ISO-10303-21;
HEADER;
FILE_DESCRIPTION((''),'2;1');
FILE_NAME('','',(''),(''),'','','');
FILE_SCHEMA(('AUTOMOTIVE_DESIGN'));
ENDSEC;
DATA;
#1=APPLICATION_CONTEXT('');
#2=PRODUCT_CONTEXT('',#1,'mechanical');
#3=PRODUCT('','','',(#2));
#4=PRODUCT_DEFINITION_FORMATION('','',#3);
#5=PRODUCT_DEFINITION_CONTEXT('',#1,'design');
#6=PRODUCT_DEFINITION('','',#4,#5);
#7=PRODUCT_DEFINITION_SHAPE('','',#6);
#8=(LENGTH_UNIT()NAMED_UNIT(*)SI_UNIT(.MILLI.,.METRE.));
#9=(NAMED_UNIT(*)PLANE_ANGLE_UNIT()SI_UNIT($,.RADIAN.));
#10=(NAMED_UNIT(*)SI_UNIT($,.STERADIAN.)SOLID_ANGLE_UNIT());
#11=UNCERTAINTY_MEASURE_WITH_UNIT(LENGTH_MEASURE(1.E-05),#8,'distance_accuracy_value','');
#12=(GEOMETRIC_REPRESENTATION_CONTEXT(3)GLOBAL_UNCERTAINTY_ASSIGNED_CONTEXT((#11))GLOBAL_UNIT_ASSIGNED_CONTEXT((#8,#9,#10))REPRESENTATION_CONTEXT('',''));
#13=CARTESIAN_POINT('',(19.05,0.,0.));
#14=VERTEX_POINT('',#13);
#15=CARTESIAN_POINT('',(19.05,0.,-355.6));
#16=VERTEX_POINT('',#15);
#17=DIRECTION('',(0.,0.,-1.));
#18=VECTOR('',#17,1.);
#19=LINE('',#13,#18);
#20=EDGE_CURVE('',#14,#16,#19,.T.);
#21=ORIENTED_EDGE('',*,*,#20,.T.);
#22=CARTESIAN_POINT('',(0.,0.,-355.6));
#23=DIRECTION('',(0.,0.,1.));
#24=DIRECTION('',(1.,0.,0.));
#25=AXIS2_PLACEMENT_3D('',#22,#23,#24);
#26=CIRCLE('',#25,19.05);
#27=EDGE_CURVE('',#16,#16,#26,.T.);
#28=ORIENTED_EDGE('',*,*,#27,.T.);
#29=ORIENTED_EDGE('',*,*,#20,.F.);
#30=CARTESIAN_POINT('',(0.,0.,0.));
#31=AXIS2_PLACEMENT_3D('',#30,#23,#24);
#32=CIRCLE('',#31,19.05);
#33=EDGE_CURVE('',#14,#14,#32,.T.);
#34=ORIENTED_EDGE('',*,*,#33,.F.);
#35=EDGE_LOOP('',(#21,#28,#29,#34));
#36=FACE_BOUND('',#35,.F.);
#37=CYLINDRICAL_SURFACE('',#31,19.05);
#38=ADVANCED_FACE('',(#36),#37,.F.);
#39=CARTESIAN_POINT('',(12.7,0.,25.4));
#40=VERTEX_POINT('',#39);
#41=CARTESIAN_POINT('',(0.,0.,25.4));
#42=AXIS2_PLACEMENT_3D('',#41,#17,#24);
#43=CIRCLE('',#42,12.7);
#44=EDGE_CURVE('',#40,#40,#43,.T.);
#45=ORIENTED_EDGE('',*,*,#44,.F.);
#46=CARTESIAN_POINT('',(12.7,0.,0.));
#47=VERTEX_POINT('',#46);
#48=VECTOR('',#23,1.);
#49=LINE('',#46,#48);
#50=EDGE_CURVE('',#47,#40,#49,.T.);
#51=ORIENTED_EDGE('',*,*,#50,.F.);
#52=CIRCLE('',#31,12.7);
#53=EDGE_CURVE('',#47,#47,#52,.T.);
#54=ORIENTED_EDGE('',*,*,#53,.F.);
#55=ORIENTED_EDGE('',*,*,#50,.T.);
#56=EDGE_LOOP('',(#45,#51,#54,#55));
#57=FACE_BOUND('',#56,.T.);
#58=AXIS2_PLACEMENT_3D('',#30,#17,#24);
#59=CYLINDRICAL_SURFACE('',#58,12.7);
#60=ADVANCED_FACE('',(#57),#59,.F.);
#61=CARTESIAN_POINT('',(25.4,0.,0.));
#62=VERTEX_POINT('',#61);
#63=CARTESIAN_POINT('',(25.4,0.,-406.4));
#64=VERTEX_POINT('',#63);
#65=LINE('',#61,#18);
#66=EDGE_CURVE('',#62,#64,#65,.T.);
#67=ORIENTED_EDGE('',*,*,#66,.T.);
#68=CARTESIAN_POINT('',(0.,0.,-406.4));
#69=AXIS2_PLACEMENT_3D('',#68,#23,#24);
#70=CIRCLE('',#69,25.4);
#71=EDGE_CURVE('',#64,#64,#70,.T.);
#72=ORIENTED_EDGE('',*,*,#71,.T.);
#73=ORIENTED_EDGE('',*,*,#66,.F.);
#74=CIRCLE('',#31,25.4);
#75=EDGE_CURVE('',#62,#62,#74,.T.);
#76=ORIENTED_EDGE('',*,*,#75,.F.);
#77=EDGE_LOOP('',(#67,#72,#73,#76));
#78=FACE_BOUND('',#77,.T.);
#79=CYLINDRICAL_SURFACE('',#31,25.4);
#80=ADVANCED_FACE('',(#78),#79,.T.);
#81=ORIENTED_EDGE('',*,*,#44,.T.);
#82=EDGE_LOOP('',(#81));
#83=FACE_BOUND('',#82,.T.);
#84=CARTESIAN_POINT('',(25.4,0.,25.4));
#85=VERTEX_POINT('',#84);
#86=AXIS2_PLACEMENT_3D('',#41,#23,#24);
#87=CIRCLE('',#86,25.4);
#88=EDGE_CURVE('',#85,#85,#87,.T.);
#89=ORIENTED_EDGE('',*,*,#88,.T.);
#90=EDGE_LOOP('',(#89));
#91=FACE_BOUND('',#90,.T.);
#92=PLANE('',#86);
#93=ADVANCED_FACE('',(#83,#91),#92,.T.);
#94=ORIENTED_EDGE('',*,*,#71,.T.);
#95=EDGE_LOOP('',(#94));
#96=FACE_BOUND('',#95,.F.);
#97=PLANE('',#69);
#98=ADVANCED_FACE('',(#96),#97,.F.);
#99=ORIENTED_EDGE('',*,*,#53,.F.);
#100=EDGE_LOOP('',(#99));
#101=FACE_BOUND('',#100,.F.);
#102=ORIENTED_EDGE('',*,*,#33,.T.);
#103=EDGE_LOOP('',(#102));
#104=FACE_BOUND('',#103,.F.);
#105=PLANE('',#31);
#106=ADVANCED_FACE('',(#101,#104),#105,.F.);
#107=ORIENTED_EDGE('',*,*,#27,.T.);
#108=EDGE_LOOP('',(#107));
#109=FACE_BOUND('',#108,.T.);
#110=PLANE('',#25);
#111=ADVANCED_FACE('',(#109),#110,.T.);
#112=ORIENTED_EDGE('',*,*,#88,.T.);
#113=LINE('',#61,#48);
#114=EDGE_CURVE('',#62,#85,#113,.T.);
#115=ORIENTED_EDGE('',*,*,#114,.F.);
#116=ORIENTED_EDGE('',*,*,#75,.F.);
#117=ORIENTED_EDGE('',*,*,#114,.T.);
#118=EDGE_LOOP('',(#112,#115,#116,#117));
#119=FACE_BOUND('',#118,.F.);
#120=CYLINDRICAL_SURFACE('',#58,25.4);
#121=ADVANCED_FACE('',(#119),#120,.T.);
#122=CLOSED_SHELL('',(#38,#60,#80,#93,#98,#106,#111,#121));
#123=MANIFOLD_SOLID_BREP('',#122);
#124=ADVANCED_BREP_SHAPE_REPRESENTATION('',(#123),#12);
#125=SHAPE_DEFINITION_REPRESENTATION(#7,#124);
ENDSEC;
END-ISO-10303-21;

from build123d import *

# Parameters (mm, degrees)
F0_R          = 25.4
F1_DEPTH      = 406.4
F1_DEPTH_BACK = 25.4
F2_R          = 19.05
F3_DEPTH      = 355.6
F4_R          = 12.7
F5_DEPTH      = 25.401


with BuildPart() as f1:
    # F0 (on Top) → F1 (new body, two sides)
    with BuildSketch(Plane.XY) as f1_sk:
        Circle(F0_R)
    extrude(amount=-F1_DEPTH)
    extrude(f1_sk.sketch, amount=F1_DEPTH_BACK)

    # F2 (on Top) → F3 (cut)
    with BuildSketch(Plane.XY):
        Circle(F2_R)
    extrude(amount=-F3_DEPTH, mode=Mode.SUBTRACT)

    # F4 (on Top) → F5 (cut, through all)
    with BuildSketch(Plane.XY):
        Circle(F4_R)
    extrude(amount=F5_DEPTH, mode=Mode.SUBTRACT)


solid = f1.part
